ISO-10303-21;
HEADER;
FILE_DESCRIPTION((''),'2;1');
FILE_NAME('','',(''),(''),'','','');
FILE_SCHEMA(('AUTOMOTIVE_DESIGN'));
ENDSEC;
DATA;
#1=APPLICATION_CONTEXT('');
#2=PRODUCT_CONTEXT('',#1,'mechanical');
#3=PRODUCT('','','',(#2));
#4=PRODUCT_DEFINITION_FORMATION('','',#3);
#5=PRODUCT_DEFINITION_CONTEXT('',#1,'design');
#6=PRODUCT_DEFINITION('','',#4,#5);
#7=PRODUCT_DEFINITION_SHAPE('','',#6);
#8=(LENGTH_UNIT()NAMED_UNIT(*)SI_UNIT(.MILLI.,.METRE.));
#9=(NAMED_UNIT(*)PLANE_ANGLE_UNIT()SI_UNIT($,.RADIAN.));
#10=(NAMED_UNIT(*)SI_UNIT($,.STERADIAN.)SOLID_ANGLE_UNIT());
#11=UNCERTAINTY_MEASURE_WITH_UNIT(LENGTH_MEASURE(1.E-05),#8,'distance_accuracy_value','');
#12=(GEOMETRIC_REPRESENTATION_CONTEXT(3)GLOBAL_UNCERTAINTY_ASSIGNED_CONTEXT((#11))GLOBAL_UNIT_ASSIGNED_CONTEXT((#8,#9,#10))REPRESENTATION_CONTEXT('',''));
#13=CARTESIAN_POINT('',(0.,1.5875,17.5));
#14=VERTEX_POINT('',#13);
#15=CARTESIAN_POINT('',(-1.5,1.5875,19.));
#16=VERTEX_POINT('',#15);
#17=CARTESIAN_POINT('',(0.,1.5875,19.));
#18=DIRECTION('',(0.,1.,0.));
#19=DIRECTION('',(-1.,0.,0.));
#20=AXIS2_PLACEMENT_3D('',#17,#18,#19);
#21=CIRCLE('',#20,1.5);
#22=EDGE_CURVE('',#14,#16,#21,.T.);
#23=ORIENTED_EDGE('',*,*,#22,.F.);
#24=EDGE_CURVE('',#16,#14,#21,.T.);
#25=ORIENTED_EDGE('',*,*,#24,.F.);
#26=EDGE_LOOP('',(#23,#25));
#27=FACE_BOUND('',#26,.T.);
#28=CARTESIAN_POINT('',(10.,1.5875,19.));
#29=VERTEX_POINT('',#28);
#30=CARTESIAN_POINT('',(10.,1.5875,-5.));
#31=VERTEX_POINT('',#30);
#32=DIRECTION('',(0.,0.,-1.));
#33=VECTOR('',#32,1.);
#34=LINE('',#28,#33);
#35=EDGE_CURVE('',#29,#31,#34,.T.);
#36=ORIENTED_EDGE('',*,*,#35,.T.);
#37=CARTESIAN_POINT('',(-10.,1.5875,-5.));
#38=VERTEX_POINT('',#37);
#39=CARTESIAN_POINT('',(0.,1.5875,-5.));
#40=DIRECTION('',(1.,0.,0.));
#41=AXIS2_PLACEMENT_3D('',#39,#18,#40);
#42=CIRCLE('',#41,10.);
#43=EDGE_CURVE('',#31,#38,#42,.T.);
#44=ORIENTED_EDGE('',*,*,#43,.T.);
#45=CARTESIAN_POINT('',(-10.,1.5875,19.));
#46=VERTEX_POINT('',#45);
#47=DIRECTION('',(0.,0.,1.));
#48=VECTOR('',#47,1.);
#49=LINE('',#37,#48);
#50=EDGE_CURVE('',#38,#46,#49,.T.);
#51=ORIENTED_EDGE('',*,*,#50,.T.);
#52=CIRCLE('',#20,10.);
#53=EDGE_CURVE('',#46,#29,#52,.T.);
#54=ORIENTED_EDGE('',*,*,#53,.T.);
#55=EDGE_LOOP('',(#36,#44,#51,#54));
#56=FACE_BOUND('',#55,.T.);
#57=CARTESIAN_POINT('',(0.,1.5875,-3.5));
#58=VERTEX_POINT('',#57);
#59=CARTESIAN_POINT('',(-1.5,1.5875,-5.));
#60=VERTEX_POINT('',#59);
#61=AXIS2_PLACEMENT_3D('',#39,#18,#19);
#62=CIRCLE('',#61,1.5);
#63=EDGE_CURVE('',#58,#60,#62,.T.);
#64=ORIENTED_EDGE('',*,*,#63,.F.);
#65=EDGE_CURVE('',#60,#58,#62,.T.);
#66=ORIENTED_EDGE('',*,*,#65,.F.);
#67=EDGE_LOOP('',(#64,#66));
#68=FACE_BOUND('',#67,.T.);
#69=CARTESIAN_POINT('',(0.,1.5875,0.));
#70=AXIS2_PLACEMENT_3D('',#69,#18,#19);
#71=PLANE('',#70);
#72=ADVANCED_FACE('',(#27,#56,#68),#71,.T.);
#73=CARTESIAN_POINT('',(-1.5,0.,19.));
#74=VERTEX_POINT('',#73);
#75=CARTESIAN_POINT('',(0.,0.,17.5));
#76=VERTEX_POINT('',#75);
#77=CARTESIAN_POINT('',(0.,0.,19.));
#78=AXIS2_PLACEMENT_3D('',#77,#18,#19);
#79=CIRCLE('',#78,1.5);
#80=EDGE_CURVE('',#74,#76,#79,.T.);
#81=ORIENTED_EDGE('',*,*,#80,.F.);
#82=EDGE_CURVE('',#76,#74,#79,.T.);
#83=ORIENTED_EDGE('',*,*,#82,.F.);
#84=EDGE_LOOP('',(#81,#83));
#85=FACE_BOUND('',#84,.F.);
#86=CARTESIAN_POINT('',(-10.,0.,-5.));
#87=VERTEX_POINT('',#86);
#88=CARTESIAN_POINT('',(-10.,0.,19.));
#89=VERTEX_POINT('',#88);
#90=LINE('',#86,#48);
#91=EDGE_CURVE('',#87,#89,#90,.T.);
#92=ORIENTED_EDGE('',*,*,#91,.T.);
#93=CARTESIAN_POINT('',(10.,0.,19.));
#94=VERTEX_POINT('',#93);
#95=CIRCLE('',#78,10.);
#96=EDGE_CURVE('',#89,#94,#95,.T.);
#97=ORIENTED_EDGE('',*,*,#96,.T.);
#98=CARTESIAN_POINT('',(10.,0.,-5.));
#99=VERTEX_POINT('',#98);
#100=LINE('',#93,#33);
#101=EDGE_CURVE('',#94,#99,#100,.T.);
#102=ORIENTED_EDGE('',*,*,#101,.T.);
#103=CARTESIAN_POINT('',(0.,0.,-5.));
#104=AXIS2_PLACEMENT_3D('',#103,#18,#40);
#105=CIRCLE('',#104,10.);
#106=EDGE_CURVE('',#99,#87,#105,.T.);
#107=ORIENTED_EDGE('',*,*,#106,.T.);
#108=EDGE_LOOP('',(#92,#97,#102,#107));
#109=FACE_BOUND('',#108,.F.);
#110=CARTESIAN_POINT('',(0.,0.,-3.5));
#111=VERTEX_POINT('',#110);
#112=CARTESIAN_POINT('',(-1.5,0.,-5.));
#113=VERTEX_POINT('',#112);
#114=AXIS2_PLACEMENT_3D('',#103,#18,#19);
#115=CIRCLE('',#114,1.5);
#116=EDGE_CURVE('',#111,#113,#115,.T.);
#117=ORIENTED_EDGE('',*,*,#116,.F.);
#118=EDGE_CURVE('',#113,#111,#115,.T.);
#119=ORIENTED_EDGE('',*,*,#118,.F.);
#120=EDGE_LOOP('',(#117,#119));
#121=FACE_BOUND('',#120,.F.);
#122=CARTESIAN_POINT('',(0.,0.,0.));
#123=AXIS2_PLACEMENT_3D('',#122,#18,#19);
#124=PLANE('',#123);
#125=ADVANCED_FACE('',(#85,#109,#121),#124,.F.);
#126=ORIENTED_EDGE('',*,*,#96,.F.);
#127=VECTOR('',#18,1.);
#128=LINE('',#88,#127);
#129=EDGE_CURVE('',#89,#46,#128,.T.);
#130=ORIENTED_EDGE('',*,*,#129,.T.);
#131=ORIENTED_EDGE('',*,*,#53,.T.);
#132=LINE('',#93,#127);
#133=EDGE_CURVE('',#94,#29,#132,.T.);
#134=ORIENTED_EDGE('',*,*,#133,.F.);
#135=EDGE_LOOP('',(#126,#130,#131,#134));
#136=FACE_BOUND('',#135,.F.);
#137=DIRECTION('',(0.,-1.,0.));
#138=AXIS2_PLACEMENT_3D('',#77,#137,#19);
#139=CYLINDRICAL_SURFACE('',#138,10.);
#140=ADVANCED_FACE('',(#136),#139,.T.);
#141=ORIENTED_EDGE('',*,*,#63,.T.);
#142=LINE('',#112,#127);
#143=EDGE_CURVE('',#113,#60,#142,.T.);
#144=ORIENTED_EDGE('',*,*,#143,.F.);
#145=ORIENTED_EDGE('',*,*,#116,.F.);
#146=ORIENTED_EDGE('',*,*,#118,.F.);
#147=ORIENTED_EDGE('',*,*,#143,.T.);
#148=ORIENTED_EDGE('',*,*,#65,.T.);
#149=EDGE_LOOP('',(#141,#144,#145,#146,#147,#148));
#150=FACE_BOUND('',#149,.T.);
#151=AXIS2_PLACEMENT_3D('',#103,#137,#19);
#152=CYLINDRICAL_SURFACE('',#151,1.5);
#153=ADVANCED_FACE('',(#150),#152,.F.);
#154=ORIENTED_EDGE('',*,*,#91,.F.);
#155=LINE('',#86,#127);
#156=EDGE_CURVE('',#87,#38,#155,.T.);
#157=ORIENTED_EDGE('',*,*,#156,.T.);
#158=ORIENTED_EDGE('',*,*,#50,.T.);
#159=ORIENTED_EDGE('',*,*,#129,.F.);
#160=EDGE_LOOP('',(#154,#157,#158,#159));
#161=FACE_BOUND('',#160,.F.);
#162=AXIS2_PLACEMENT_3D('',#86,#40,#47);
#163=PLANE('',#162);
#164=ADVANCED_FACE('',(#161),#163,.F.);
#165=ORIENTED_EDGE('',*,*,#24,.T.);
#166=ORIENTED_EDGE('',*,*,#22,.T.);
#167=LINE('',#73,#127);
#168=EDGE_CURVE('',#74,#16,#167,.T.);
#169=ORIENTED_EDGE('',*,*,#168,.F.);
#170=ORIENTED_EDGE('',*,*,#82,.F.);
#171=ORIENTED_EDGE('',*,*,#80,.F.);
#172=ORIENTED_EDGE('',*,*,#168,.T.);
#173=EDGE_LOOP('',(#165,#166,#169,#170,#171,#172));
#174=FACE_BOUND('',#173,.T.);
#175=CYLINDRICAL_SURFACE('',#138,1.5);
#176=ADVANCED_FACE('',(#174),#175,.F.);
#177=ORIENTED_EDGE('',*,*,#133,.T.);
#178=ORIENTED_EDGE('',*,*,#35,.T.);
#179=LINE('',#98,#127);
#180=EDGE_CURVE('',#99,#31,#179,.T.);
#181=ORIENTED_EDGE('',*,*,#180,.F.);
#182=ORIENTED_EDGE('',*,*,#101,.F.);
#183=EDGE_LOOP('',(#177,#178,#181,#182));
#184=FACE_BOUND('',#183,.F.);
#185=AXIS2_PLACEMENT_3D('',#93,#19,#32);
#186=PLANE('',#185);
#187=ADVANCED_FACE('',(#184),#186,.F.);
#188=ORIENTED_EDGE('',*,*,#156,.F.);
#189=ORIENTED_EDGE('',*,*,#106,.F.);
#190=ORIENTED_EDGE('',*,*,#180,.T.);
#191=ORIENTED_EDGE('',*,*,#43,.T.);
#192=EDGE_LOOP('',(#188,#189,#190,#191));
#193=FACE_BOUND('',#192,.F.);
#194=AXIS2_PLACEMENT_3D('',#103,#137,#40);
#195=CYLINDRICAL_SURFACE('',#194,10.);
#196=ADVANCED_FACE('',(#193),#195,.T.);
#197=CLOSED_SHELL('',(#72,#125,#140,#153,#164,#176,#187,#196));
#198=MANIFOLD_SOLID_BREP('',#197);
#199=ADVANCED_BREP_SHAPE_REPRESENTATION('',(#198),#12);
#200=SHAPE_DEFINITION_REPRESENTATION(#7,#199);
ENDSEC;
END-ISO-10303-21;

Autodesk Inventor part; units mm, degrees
ref_plane "YZ Plane" through (0, 0, 0) normal (1, 0, 0) x (0, 1, 0)
ref_plane "XZ Plane" through (0, 0, 0) normal (0, 1, 0) x (-1, 0, 0)
ref_plane "XY Plane" through (0, 0, 0) normal (0, 0, 1) x (1, 0, 0)
sketch "Sketch1" plane through (0, 0, 0) normal (0, 1, 0) x (-1, 0, 0)
  line L0 (0, 0) -> (-5.6352, 0)
  line L1 (-5.6352, 0) -> (0, 0)
  line L2 (0, 0) -> (0, 8.7024)
  line L3 (6.5, 14) -> (-6.5, 14)
  line L4 (-6.5, 14) -> (-6.5, 0)
  line L5 (-6.5, 0) -> (6.5, 0)
  line L6 (6.5, 0) -> (6.5, 14)
  circle A0 centre (0, -5) radius 1.5
  circle A1 centre (0, 19) radius 1.5
  line L7 (0, 19) -> (0, -5)
  line L8 (0, 19) -> (0, -5) construction
  line L9 (-10, 19) -> (-10, -5)
  line L10 (10, -5) -> (10, 19)
  arc A2 (10, 19) -> (-10, 19) centre (0, 19) ccw
  arc A3 (-10, -5) -> (10, -5) centre (0, -5) ccw
  point P0 (0, -8.7024)
  point P1 (0, 7)
  dimension "d25" = 13
  dimension "d26" = 14
  dimension "d30" = 5
  dimension "d31" = 5
  dimension "d32" = 3
  dimension "d33" = 20
extrude "Extrusion1" add sketch "Sketch1" along normal blind 1.5875 contours L0 L5 L4 L3 L7 L2 | L2 L7 L3 L6 L5 | A2 L10 A3 L9
properties part number "case_usb_insert" material "Rubber, Black"
